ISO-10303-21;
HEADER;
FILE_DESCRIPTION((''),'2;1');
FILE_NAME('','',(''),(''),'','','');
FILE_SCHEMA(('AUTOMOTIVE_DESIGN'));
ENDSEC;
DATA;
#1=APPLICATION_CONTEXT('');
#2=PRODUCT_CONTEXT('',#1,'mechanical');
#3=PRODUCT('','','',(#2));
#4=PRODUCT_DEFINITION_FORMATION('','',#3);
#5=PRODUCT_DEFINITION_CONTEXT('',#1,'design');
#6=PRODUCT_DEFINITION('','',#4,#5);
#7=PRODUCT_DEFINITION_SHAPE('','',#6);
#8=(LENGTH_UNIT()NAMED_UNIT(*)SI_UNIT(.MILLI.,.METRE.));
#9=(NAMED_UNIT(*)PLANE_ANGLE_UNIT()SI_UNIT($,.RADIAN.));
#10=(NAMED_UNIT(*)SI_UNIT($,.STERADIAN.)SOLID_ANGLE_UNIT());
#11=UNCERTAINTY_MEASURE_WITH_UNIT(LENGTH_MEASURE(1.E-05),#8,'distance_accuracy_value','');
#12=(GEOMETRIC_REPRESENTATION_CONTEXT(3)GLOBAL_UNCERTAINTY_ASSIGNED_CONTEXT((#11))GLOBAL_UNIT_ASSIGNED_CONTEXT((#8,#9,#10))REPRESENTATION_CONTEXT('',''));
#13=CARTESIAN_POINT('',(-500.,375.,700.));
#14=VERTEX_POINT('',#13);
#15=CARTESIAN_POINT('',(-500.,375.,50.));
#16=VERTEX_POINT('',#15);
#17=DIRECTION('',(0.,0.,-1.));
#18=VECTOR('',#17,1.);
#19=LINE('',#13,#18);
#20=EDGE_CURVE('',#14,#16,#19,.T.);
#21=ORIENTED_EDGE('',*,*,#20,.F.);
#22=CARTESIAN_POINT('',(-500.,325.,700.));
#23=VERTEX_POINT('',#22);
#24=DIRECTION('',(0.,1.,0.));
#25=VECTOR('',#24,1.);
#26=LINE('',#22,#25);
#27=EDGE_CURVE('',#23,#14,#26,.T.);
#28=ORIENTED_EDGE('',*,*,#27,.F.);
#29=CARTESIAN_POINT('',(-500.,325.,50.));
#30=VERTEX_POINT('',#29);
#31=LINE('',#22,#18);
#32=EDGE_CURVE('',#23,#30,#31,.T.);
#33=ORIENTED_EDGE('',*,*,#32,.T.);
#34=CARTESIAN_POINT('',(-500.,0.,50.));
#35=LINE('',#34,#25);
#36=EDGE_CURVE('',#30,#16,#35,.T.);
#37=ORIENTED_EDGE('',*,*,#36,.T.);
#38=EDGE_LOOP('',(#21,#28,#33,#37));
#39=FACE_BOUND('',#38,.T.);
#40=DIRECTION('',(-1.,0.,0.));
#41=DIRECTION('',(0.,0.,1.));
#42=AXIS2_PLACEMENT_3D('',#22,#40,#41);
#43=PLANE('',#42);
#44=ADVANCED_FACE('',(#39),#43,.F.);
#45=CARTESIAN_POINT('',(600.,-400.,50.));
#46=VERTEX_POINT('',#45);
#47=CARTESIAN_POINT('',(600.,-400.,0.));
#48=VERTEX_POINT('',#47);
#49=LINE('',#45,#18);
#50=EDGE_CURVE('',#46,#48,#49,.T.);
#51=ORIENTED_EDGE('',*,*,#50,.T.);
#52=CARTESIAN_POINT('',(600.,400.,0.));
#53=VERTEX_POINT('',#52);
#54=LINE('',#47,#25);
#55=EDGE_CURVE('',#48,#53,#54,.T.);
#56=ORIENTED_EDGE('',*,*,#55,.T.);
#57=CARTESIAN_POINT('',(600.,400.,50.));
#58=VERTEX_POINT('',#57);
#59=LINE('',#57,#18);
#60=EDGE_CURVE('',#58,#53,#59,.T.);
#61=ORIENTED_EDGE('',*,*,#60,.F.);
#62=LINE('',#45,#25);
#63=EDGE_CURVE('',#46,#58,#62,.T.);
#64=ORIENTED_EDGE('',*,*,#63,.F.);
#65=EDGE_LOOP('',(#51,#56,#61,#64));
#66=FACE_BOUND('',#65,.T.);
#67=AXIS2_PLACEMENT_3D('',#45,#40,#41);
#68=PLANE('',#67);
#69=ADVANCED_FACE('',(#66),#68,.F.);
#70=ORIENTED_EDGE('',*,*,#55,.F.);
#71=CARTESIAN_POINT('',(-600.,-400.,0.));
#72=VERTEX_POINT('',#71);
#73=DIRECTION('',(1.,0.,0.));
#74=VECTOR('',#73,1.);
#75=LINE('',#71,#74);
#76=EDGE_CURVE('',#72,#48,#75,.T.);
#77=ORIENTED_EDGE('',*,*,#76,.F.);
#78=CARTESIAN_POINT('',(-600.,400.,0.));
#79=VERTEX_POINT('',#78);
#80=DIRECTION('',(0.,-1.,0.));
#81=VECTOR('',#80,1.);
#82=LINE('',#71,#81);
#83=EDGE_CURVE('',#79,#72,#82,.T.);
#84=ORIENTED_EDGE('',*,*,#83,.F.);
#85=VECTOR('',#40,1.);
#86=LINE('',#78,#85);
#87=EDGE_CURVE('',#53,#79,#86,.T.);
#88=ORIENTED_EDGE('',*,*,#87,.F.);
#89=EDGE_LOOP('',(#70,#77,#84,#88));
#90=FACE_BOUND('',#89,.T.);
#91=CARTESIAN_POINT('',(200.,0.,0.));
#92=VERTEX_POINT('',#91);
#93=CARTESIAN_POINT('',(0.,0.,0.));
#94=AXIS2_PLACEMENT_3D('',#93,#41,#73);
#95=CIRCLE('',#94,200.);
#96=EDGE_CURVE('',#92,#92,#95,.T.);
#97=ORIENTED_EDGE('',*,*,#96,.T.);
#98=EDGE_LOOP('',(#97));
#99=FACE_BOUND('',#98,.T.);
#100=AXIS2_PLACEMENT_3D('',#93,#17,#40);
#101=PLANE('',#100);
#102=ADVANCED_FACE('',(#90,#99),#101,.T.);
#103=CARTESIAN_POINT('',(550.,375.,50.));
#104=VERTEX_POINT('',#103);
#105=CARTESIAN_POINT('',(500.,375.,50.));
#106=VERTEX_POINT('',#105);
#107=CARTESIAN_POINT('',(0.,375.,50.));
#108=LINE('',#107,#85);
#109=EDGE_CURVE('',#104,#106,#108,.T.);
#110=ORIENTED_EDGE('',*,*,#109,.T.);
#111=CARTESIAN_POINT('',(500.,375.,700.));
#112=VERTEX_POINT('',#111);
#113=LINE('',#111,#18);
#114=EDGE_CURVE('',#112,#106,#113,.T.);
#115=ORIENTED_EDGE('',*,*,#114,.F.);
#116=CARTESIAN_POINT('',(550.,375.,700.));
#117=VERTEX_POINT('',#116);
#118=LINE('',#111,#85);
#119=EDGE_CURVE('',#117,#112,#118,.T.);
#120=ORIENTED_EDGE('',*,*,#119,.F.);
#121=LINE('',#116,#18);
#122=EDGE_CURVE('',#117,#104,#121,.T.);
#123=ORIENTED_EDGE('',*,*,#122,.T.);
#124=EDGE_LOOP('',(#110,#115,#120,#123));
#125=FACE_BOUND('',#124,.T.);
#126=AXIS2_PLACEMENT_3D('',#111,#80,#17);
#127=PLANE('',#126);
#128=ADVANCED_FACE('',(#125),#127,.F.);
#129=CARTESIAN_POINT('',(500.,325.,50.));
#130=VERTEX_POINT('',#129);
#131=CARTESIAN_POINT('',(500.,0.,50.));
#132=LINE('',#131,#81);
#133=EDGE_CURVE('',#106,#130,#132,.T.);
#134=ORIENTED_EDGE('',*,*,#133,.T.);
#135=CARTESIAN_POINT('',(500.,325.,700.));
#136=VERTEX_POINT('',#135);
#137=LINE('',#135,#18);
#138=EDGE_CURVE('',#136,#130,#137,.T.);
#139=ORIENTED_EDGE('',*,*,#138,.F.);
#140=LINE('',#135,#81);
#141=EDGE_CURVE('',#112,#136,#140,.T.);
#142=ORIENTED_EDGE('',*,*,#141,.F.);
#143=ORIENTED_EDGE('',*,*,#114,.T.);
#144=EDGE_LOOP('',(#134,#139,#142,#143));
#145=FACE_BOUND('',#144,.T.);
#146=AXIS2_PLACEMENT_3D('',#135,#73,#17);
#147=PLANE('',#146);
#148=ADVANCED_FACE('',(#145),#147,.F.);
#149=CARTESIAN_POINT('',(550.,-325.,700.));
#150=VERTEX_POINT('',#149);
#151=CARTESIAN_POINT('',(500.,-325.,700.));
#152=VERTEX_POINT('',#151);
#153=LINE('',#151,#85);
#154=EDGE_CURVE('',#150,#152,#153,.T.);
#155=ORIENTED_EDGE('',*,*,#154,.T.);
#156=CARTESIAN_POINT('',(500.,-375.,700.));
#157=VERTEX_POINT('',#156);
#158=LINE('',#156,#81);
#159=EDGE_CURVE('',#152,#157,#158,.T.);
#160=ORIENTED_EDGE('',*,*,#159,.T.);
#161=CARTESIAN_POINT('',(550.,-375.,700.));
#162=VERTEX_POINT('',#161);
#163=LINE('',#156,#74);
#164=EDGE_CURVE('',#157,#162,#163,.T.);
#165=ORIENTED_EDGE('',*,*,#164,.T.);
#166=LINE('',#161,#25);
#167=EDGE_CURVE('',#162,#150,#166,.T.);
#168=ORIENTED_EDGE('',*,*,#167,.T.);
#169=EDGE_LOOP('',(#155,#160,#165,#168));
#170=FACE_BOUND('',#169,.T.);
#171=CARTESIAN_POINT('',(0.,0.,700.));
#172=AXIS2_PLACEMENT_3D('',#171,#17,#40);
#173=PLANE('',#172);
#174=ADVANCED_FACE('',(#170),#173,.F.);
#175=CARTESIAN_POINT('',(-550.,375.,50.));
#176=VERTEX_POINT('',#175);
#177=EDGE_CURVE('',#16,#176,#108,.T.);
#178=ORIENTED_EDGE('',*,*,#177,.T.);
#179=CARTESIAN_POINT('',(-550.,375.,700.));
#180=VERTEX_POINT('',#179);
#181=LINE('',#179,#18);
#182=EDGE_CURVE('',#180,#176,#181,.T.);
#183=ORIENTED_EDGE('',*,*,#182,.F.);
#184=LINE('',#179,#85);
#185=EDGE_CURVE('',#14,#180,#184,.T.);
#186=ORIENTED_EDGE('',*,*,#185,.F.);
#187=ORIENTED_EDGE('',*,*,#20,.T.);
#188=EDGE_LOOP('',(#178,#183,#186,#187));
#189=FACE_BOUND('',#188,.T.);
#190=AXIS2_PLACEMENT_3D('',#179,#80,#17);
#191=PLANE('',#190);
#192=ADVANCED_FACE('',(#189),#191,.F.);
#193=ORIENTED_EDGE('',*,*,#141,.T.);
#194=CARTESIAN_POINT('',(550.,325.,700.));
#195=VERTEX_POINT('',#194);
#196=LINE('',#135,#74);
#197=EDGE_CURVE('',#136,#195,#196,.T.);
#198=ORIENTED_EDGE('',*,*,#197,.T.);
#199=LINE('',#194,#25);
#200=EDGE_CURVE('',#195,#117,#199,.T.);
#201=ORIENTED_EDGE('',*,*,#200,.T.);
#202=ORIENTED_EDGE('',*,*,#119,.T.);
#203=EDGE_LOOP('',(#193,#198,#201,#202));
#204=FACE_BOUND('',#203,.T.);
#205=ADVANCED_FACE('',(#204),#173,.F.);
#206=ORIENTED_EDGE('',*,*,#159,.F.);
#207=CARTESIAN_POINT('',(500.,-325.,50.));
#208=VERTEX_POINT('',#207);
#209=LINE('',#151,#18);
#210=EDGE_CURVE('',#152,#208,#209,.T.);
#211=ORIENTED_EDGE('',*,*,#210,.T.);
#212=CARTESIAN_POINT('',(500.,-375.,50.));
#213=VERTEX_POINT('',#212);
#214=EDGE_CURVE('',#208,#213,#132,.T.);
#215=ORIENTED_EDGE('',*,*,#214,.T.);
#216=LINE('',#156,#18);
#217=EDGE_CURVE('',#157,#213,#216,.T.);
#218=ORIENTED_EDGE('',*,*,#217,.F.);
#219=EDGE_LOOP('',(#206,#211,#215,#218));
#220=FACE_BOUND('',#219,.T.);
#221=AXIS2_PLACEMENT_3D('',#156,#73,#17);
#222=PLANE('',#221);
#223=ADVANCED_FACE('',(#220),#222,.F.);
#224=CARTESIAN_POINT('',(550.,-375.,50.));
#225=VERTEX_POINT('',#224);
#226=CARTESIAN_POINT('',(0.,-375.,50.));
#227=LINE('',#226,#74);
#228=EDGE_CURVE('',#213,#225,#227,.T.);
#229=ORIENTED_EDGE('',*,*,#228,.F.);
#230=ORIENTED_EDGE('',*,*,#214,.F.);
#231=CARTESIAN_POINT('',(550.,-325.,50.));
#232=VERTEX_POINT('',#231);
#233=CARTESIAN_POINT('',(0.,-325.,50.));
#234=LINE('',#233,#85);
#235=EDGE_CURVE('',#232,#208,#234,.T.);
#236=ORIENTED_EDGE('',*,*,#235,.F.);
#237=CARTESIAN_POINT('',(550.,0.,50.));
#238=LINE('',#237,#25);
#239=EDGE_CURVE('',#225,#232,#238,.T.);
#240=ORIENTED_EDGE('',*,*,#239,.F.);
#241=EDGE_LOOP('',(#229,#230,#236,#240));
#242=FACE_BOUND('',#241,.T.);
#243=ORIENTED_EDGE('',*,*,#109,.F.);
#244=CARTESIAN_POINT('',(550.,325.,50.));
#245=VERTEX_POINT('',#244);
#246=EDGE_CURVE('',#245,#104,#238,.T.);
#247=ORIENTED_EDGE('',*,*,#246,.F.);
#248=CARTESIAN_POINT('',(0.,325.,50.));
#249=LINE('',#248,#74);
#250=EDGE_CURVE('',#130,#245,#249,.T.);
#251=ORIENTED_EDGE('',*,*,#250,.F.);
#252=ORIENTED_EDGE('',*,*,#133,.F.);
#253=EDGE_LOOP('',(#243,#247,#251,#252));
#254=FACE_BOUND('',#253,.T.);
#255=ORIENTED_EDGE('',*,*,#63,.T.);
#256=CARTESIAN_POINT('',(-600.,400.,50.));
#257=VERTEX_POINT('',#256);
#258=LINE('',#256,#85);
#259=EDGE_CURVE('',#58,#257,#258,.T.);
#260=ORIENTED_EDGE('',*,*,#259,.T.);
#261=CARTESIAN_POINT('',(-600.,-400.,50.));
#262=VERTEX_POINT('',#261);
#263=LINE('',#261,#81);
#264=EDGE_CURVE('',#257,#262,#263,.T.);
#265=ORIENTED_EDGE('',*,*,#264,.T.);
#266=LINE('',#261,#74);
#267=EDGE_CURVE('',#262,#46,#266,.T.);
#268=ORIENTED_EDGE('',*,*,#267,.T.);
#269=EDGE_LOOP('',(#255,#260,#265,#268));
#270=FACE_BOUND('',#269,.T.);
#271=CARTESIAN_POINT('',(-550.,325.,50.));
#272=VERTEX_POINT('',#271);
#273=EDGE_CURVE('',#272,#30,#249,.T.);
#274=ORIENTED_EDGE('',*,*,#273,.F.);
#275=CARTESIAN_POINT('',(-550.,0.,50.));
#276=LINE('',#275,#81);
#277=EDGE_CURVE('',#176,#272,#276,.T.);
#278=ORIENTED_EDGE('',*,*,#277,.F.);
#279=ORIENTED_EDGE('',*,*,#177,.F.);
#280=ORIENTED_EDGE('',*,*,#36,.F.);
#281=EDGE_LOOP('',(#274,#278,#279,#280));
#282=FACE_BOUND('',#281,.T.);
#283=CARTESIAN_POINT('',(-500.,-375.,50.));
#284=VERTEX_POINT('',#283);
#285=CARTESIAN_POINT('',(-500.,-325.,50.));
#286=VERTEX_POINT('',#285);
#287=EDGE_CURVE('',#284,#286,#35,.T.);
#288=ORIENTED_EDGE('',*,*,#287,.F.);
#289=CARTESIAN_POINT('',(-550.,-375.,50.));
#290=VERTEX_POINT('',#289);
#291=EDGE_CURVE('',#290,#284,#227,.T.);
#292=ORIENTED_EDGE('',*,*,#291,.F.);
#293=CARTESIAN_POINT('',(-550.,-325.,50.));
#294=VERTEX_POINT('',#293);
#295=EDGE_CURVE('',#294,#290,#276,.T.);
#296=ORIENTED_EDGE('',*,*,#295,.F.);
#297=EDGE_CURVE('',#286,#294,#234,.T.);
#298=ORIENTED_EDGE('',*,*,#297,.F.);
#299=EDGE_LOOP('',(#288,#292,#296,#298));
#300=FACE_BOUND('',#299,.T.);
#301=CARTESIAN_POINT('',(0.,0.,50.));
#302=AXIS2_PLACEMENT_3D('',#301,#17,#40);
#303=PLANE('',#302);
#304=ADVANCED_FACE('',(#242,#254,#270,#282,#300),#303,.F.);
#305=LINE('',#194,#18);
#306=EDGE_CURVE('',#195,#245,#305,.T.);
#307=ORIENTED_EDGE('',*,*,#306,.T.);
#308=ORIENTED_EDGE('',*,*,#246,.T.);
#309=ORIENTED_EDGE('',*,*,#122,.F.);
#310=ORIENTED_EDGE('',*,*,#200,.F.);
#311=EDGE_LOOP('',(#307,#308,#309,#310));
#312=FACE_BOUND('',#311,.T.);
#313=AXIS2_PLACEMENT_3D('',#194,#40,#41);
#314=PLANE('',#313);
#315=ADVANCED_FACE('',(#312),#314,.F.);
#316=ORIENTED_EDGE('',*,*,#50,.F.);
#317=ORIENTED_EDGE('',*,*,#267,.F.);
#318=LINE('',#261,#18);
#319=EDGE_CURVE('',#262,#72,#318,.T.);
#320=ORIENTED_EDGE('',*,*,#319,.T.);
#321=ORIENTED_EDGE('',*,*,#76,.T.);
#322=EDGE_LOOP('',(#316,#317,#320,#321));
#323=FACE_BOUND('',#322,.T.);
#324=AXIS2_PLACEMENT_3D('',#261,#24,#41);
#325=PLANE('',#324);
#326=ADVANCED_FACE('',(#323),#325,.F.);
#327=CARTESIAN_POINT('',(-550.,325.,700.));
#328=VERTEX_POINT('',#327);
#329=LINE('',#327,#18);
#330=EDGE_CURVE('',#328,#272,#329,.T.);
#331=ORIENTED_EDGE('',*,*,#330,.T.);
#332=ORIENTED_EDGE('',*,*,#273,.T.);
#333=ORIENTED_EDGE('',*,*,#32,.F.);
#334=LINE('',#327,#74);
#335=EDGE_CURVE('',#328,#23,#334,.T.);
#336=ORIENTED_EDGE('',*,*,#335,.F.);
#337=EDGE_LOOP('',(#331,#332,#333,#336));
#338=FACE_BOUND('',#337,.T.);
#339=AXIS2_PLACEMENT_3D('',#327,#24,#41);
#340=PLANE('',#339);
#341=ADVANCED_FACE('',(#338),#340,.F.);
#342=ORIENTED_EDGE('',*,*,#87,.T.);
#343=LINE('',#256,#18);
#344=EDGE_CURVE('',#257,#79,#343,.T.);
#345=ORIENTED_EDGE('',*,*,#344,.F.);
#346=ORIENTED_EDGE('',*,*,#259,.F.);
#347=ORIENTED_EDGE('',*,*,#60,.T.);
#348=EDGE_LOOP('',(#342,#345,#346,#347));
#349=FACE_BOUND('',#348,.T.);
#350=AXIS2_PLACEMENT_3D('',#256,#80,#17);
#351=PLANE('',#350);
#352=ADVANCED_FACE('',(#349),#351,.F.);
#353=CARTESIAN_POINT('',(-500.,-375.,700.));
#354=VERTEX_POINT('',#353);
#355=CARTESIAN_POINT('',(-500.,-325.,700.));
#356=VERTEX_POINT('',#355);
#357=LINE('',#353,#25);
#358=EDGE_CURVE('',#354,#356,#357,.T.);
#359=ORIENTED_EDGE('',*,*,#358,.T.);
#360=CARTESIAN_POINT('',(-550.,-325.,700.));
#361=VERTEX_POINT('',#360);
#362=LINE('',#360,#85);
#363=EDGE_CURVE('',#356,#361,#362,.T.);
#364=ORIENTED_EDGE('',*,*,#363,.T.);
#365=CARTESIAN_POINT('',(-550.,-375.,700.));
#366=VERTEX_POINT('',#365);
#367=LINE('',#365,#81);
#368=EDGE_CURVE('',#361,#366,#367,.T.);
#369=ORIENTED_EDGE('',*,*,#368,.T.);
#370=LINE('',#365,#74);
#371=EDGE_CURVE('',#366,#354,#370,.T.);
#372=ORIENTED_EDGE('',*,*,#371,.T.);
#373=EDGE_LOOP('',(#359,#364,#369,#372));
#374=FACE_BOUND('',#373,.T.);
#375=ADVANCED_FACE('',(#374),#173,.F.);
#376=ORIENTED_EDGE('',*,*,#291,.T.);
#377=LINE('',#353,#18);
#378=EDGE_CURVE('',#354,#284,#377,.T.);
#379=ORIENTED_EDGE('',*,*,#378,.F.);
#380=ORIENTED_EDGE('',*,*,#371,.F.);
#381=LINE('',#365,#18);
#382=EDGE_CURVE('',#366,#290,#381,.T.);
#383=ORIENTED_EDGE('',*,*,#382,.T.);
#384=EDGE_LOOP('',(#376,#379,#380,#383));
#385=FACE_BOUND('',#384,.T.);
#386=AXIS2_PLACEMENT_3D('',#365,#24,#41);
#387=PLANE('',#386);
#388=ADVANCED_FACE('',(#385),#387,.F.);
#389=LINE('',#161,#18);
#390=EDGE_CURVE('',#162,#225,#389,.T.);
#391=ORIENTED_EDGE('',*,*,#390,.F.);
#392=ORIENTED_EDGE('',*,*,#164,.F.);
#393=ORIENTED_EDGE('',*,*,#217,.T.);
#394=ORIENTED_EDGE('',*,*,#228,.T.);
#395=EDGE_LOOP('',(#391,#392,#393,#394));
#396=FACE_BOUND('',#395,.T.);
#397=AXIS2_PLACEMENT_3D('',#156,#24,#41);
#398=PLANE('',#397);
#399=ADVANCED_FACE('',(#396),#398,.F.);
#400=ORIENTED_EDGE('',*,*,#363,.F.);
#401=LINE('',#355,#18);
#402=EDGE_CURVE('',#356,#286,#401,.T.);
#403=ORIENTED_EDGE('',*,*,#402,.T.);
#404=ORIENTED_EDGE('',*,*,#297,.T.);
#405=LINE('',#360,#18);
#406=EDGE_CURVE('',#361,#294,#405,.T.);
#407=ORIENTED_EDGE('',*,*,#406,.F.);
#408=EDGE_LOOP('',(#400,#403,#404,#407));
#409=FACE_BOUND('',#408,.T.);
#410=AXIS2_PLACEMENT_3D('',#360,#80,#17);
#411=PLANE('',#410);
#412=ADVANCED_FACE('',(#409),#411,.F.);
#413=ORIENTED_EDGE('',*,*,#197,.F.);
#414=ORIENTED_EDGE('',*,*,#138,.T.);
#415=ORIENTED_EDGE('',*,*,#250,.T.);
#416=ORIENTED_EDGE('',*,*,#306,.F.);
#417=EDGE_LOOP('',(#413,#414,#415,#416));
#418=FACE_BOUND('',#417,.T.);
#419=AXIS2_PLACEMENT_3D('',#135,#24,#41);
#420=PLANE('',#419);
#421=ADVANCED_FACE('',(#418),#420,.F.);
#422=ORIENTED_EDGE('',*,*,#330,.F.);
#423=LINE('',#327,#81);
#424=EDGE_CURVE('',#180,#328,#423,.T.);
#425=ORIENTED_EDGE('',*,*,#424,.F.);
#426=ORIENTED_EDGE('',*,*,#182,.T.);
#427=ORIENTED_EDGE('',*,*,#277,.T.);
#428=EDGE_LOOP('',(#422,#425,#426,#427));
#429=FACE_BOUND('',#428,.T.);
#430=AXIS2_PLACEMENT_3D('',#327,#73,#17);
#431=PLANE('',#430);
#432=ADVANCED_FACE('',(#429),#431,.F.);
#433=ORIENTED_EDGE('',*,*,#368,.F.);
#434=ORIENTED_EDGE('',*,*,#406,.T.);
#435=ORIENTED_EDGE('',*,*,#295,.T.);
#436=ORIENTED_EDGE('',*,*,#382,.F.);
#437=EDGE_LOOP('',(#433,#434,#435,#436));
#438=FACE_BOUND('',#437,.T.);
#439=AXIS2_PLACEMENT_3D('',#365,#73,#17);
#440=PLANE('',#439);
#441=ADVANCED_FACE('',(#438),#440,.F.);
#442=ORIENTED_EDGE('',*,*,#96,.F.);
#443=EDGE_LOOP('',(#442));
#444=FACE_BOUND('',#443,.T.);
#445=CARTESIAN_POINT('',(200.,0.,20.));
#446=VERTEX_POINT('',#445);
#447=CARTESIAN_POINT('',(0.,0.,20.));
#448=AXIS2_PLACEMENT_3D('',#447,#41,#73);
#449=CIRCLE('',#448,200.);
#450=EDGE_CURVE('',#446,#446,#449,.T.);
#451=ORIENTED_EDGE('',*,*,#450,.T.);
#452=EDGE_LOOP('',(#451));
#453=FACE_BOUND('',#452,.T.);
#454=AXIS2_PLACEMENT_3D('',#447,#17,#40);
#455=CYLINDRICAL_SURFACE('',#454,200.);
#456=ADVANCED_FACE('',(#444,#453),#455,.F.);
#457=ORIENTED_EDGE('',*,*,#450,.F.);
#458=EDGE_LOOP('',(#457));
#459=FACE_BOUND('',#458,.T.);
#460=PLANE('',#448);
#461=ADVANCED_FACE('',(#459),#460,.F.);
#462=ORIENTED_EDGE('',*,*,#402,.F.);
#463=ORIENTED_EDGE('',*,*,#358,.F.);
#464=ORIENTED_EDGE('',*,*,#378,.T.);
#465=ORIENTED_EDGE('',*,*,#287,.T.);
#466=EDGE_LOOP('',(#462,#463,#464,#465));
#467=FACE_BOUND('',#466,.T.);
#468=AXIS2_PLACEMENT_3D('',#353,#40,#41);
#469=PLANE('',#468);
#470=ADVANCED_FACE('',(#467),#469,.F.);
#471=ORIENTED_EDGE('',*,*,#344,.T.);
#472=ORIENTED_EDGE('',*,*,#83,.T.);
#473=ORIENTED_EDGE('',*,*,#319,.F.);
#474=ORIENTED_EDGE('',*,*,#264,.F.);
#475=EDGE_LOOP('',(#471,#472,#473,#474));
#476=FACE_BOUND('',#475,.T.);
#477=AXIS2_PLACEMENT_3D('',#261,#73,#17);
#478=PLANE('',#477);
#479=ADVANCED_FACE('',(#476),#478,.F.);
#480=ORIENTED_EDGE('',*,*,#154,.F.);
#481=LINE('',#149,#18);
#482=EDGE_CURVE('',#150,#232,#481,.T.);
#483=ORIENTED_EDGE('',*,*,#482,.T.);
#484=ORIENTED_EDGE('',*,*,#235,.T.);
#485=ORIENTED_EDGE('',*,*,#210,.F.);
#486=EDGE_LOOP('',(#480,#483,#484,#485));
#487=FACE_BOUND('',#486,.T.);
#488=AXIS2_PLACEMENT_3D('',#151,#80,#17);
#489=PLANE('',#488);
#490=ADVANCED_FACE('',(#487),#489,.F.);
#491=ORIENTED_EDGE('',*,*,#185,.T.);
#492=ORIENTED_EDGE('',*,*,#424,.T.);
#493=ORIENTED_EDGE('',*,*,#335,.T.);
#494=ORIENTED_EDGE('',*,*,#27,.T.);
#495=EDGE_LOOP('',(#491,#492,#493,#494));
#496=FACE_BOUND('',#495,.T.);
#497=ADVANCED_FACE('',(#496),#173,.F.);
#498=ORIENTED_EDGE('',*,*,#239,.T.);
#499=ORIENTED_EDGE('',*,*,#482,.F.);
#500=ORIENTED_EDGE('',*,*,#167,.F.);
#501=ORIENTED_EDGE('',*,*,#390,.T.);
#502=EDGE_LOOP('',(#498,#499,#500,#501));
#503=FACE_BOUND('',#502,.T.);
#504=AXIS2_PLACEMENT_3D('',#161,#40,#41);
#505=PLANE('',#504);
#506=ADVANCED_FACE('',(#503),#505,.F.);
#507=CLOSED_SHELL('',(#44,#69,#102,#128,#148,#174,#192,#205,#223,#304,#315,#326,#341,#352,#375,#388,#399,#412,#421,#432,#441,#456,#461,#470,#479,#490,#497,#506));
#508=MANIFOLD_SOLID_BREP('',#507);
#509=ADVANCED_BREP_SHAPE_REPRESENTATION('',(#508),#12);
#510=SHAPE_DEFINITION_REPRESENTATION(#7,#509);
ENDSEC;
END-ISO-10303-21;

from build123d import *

# Parameters (mm, degrees)
SKETCH_1_W          = 1200
SKETCH_1_H          = 800
EXTRUDE_1_DEPTH     = 50
SKETCH_2_W          = 50
SKETCH_2_H          = 50
EXTRUDE_2_DEPTH     = 700
SKETCH_3_W          = 50
SKETCH_3_H          = 50
EXTRUDE_3_DEPTH     = 700
SKETCH_4_W          = 50
SKETCH_4_H          = 50
EXTRUDE_4_DEPTH     = 700
SKETCH_5_W          = 50
SKETCH_5_H          = 50
EXTRUDE_5_DEPTH     = 700
SKETCH_6_R          = 200
CUT_EXTRUDE_1_DEPTH = 20


with BuildPart() as part:
    # 草图1 → 凸台-拉伸1 (new body)
    with BuildSketch(Plane.XY):
        Rectangle(SKETCH_1_W, SKETCH_1_H)
    extrude(amount=EXTRUDE_1_DEPTH)

    # 草图2 → 凸台-拉伸2 (add)
    with BuildSketch(Plane.XY):
        with Locations((525, 350)):
            Rectangle(SKETCH_2_W, SKETCH_2_H)
    extrude(amount=EXTRUDE_2_DEPTH)

    # 草图3 → 凸台-拉伸3 (add)
    with BuildSketch(Plane.XY):
        with Locations((525, -350)):
            Rectangle(SKETCH_3_W, SKETCH_3_H)
    extrude(amount=EXTRUDE_3_DEPTH)

    # 草图4 → 凸台-拉伸4 (add)
    with BuildSketch(Plane.XY):
        with Locations((-525, 350)):
            Rectangle(SKETCH_4_W, SKETCH_4_H)
    extrude(amount=EXTRUDE_4_DEPTH)

    # 草图5 → 凸台-拉伸5 (add)
    with BuildSketch(Plane.XY):
        with Locations((-525, -350)):
            Rectangle(SKETCH_5_W, SKETCH_5_H)
    extrude(amount=EXTRUDE_5_DEPTH)

    # 草图6 → 切除-拉伸1 (cut)
    with BuildSketch(Plane.XY):
        Circle(SKETCH_6_R)
    extrude(amount=CUT_EXTRUDE_1_DEPTH, mode=Mode.SUBTRACT)


solid = part.part
